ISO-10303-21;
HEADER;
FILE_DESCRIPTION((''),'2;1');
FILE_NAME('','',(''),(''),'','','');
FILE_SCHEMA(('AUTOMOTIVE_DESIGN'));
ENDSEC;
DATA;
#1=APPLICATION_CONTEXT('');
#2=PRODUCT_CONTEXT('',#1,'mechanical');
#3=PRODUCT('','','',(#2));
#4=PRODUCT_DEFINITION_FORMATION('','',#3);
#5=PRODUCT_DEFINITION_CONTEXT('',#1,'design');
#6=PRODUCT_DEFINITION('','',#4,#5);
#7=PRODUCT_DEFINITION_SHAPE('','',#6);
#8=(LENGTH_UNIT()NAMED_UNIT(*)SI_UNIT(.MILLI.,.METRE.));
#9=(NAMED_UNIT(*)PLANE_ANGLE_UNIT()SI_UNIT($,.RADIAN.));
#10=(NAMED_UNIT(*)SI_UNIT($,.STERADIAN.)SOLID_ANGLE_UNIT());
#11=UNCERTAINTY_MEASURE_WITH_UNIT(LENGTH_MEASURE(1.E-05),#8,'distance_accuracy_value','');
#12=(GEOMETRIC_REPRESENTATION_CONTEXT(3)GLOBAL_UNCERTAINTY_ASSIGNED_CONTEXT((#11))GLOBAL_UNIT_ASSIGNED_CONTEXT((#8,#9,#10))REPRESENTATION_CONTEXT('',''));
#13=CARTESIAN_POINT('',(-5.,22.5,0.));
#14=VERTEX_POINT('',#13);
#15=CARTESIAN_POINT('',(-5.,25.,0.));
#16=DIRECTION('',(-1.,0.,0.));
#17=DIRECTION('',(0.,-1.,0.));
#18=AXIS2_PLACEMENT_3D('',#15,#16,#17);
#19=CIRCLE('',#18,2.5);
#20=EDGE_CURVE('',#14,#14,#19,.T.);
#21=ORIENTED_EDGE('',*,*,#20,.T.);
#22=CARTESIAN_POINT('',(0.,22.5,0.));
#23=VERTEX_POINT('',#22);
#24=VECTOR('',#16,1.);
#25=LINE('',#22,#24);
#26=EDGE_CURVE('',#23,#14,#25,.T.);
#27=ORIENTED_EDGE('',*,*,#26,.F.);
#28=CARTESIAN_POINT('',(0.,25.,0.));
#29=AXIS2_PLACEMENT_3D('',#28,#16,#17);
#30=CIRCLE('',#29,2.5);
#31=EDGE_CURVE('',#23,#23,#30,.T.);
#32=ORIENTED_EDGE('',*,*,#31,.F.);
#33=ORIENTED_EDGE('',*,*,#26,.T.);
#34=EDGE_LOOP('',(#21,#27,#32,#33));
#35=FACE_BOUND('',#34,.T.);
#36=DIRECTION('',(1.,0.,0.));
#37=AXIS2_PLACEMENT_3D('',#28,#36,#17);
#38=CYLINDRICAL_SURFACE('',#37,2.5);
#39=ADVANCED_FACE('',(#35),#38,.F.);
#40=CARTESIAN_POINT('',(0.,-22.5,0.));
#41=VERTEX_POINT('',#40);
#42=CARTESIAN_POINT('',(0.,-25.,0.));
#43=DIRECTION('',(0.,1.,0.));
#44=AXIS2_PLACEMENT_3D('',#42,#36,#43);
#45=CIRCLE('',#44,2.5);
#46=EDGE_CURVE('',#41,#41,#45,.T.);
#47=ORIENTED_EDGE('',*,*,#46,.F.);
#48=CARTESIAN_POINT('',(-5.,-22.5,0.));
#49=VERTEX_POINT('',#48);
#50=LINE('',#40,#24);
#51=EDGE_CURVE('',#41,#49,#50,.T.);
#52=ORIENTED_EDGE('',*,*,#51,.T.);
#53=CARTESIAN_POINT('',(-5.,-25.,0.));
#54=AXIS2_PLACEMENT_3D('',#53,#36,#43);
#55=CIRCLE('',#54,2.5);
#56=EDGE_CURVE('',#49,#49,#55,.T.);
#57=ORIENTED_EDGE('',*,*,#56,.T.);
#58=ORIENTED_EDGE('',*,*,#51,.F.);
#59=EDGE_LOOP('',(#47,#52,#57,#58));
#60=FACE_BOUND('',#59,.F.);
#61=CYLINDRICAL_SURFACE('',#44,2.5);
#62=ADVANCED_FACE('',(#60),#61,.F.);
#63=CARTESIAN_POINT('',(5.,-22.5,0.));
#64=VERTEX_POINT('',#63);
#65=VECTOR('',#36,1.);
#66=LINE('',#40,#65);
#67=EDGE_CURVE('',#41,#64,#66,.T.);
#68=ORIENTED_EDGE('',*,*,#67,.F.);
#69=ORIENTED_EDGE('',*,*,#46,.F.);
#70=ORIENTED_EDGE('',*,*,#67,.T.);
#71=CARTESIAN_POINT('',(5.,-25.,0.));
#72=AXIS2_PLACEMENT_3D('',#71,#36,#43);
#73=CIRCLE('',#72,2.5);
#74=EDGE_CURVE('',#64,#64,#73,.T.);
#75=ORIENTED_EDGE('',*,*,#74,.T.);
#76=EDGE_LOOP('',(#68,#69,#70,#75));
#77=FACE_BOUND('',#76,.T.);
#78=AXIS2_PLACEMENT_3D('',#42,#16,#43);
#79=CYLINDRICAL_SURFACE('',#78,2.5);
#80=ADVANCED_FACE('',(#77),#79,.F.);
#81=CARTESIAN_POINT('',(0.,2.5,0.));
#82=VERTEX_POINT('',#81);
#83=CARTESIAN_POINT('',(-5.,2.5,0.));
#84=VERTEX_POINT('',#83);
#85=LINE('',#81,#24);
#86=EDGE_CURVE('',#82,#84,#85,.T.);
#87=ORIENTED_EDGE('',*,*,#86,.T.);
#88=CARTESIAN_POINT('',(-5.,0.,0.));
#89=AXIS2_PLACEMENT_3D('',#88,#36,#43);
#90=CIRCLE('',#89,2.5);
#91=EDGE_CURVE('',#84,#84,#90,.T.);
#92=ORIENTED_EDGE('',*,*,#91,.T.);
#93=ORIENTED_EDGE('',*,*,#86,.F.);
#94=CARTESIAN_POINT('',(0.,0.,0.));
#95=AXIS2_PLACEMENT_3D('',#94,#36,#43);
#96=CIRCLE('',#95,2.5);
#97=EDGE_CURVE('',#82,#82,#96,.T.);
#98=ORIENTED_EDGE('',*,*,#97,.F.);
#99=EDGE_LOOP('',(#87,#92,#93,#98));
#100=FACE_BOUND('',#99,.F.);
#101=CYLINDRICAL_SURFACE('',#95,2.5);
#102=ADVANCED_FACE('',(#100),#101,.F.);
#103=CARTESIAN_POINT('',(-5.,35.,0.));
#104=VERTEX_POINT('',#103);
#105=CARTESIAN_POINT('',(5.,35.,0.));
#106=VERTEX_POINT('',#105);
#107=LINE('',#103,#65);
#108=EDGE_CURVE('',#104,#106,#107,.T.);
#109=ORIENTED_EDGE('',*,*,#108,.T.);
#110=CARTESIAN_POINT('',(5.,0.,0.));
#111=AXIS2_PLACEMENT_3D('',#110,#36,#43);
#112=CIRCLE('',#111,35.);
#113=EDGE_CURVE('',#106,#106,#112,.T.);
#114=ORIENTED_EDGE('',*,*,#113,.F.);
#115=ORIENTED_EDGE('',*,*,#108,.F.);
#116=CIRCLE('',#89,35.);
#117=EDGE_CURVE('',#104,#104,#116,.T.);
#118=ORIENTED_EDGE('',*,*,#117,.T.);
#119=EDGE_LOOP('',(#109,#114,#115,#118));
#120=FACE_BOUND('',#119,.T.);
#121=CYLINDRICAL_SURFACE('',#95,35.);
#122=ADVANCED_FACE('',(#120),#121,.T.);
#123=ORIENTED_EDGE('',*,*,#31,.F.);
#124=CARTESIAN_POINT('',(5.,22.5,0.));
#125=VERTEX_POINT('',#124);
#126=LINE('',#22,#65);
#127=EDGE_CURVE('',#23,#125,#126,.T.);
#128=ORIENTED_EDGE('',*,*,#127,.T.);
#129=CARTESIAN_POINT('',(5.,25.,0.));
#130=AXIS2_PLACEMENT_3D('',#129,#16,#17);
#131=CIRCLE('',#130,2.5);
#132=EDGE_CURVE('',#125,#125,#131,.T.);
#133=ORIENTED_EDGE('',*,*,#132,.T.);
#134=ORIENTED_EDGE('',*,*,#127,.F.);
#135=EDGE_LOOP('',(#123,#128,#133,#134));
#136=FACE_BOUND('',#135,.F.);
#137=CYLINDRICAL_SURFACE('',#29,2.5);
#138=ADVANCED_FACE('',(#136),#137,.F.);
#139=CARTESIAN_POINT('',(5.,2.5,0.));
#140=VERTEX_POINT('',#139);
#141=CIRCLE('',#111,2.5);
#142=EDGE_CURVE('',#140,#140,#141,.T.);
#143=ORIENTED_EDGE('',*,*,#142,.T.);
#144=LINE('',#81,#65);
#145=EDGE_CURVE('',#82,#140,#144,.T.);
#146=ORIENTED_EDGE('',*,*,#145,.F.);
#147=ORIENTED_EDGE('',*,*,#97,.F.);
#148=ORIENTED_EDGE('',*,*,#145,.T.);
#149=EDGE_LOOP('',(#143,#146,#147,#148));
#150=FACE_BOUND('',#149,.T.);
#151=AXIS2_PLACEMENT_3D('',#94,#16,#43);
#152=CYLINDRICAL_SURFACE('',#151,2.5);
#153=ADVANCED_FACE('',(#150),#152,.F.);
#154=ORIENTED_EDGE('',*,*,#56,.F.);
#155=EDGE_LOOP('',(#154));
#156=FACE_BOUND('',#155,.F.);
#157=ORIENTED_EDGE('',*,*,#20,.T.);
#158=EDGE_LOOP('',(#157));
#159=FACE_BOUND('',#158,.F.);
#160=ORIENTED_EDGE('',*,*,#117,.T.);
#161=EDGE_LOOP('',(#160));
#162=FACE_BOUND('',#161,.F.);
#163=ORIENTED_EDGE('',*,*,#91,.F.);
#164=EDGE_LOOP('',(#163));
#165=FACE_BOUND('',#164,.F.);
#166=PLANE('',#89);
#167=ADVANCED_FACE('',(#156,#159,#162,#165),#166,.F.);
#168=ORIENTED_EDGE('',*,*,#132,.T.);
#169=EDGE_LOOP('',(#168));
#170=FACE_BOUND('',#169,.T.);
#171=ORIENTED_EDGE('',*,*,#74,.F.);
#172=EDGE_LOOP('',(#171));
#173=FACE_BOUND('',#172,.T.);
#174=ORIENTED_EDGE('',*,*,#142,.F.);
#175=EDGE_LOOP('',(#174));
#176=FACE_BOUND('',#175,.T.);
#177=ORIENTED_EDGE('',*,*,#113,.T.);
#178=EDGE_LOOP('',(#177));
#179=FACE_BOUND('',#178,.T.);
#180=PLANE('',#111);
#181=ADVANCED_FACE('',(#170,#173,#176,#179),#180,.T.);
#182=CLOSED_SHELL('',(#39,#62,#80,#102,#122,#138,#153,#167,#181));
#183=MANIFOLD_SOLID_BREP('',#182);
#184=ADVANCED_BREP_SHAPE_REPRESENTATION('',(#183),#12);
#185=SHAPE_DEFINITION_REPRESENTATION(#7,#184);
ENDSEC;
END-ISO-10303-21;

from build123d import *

# Parameters (mm, degrees)
F0_R     = 35
F0_R_2   = 2.5
F1_DEPTH = 5


with BuildPart() as f1:
    # F0 (on Right) → F1 (new body, symmetric)
    with BuildSketch(Plane.YZ):
        Circle(F0_R)
        with Locations((-25, 0)):
            Circle(F0_R_2, mode=Mode.SUBTRACT)
        Circle(F0_R_2, mode=Mode.SUBTRACT)
        with BuildLine():
            ThreePointArc((27.5, 0), (25, -2.5), (22.5, 0))
            ThreePointArc((22.5, 0), (25, 2.5), (27.5, 0))
        make_face(mode=Mode.SUBTRACT)
    extrude(amount=F1_DEPTH, both=True)


solid = f1.part
